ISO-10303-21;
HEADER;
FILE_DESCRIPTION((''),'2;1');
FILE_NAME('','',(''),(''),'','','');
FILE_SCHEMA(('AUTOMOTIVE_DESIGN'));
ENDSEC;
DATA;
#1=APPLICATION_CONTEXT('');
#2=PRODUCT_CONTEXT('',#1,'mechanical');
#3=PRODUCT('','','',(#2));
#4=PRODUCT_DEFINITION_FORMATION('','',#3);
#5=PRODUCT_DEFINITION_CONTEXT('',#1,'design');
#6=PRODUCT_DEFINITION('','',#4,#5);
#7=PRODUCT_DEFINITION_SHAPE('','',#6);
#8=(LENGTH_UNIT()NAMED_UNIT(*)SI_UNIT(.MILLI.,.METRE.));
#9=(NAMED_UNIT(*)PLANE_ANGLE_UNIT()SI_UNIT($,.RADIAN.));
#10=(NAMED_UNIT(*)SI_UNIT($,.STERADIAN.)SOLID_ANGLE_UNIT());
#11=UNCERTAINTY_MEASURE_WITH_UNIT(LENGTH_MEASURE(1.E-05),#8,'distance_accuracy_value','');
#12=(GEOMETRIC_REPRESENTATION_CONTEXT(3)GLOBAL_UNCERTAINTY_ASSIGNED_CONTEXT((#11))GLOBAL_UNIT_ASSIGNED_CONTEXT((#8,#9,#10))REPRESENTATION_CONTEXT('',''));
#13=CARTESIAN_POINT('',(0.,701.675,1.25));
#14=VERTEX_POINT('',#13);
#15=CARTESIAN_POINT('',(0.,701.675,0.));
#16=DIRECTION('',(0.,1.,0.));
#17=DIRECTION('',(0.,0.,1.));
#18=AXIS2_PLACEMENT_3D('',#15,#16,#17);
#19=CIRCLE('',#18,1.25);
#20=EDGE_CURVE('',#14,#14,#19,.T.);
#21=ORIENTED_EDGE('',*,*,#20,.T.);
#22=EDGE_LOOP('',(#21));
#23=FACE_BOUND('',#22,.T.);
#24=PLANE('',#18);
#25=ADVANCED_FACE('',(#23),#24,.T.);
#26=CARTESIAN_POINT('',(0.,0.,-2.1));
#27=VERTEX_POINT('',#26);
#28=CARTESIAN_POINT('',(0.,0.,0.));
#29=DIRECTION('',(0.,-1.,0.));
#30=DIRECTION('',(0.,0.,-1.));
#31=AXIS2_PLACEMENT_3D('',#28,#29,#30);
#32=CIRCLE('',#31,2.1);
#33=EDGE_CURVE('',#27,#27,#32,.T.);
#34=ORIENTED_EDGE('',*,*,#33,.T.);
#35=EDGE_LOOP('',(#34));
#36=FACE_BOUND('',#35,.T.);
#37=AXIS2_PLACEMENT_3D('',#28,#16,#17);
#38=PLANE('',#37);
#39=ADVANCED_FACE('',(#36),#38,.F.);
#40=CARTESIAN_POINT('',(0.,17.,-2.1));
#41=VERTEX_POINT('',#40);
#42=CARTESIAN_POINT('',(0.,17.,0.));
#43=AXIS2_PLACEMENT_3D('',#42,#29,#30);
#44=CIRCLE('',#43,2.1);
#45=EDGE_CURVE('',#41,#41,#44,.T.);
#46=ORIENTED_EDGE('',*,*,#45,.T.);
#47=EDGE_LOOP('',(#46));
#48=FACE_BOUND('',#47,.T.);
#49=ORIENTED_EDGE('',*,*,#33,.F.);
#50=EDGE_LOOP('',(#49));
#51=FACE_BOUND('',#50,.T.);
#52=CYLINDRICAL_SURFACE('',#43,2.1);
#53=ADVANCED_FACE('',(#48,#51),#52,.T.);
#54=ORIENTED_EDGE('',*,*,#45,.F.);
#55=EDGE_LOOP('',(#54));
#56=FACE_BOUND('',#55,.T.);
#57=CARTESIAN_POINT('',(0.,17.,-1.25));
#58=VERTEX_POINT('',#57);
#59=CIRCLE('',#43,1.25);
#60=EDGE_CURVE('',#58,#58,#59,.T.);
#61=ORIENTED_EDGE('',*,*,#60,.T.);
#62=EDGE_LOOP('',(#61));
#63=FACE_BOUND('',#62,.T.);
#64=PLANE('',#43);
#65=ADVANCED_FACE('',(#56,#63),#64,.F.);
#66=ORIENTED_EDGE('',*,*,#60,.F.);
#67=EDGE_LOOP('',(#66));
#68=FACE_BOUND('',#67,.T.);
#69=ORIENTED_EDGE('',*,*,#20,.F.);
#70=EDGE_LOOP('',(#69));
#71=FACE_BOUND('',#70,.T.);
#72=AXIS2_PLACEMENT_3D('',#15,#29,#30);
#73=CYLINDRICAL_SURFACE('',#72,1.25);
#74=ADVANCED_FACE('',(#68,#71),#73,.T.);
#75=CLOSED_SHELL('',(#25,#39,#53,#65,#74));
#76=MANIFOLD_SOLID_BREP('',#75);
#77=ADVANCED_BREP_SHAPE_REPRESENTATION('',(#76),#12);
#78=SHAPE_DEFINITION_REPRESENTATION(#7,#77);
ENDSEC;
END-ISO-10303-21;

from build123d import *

# Parameters (mm, degrees)
SKETCH1_R           = 1.25
BOSS_EXTRUDE1_DEPTH = 701.675
SKETCH2_R           = 2.1
BOSS_EXTRUDE2_DEPTH = 17


with BuildPart() as part:
    # Sketch1 → Boss-Extrude1 (new body)
    with BuildSketch(Plane(origin=(0, 0, 0), x_dir=(1, 0, 0), z_dir=(0, 1, 0))):
        with Locations(Location((0, 0, 0), (0, 0, 270))):
            Circle(SKETCH1_R)
    extrude(amount=BOSS_EXTRUDE1_DEPTH)

    # Sketch2 → Boss-Extrude2 (add)
    with BuildSketch(Plane.XZ):
        with Locations(Location((0, 0, 0), (0, 0, 270))):
            Circle(SKETCH2_R)
    extrude(amount=-BOSS_EXTRUDE2_DEPTH)


solid = part.part
